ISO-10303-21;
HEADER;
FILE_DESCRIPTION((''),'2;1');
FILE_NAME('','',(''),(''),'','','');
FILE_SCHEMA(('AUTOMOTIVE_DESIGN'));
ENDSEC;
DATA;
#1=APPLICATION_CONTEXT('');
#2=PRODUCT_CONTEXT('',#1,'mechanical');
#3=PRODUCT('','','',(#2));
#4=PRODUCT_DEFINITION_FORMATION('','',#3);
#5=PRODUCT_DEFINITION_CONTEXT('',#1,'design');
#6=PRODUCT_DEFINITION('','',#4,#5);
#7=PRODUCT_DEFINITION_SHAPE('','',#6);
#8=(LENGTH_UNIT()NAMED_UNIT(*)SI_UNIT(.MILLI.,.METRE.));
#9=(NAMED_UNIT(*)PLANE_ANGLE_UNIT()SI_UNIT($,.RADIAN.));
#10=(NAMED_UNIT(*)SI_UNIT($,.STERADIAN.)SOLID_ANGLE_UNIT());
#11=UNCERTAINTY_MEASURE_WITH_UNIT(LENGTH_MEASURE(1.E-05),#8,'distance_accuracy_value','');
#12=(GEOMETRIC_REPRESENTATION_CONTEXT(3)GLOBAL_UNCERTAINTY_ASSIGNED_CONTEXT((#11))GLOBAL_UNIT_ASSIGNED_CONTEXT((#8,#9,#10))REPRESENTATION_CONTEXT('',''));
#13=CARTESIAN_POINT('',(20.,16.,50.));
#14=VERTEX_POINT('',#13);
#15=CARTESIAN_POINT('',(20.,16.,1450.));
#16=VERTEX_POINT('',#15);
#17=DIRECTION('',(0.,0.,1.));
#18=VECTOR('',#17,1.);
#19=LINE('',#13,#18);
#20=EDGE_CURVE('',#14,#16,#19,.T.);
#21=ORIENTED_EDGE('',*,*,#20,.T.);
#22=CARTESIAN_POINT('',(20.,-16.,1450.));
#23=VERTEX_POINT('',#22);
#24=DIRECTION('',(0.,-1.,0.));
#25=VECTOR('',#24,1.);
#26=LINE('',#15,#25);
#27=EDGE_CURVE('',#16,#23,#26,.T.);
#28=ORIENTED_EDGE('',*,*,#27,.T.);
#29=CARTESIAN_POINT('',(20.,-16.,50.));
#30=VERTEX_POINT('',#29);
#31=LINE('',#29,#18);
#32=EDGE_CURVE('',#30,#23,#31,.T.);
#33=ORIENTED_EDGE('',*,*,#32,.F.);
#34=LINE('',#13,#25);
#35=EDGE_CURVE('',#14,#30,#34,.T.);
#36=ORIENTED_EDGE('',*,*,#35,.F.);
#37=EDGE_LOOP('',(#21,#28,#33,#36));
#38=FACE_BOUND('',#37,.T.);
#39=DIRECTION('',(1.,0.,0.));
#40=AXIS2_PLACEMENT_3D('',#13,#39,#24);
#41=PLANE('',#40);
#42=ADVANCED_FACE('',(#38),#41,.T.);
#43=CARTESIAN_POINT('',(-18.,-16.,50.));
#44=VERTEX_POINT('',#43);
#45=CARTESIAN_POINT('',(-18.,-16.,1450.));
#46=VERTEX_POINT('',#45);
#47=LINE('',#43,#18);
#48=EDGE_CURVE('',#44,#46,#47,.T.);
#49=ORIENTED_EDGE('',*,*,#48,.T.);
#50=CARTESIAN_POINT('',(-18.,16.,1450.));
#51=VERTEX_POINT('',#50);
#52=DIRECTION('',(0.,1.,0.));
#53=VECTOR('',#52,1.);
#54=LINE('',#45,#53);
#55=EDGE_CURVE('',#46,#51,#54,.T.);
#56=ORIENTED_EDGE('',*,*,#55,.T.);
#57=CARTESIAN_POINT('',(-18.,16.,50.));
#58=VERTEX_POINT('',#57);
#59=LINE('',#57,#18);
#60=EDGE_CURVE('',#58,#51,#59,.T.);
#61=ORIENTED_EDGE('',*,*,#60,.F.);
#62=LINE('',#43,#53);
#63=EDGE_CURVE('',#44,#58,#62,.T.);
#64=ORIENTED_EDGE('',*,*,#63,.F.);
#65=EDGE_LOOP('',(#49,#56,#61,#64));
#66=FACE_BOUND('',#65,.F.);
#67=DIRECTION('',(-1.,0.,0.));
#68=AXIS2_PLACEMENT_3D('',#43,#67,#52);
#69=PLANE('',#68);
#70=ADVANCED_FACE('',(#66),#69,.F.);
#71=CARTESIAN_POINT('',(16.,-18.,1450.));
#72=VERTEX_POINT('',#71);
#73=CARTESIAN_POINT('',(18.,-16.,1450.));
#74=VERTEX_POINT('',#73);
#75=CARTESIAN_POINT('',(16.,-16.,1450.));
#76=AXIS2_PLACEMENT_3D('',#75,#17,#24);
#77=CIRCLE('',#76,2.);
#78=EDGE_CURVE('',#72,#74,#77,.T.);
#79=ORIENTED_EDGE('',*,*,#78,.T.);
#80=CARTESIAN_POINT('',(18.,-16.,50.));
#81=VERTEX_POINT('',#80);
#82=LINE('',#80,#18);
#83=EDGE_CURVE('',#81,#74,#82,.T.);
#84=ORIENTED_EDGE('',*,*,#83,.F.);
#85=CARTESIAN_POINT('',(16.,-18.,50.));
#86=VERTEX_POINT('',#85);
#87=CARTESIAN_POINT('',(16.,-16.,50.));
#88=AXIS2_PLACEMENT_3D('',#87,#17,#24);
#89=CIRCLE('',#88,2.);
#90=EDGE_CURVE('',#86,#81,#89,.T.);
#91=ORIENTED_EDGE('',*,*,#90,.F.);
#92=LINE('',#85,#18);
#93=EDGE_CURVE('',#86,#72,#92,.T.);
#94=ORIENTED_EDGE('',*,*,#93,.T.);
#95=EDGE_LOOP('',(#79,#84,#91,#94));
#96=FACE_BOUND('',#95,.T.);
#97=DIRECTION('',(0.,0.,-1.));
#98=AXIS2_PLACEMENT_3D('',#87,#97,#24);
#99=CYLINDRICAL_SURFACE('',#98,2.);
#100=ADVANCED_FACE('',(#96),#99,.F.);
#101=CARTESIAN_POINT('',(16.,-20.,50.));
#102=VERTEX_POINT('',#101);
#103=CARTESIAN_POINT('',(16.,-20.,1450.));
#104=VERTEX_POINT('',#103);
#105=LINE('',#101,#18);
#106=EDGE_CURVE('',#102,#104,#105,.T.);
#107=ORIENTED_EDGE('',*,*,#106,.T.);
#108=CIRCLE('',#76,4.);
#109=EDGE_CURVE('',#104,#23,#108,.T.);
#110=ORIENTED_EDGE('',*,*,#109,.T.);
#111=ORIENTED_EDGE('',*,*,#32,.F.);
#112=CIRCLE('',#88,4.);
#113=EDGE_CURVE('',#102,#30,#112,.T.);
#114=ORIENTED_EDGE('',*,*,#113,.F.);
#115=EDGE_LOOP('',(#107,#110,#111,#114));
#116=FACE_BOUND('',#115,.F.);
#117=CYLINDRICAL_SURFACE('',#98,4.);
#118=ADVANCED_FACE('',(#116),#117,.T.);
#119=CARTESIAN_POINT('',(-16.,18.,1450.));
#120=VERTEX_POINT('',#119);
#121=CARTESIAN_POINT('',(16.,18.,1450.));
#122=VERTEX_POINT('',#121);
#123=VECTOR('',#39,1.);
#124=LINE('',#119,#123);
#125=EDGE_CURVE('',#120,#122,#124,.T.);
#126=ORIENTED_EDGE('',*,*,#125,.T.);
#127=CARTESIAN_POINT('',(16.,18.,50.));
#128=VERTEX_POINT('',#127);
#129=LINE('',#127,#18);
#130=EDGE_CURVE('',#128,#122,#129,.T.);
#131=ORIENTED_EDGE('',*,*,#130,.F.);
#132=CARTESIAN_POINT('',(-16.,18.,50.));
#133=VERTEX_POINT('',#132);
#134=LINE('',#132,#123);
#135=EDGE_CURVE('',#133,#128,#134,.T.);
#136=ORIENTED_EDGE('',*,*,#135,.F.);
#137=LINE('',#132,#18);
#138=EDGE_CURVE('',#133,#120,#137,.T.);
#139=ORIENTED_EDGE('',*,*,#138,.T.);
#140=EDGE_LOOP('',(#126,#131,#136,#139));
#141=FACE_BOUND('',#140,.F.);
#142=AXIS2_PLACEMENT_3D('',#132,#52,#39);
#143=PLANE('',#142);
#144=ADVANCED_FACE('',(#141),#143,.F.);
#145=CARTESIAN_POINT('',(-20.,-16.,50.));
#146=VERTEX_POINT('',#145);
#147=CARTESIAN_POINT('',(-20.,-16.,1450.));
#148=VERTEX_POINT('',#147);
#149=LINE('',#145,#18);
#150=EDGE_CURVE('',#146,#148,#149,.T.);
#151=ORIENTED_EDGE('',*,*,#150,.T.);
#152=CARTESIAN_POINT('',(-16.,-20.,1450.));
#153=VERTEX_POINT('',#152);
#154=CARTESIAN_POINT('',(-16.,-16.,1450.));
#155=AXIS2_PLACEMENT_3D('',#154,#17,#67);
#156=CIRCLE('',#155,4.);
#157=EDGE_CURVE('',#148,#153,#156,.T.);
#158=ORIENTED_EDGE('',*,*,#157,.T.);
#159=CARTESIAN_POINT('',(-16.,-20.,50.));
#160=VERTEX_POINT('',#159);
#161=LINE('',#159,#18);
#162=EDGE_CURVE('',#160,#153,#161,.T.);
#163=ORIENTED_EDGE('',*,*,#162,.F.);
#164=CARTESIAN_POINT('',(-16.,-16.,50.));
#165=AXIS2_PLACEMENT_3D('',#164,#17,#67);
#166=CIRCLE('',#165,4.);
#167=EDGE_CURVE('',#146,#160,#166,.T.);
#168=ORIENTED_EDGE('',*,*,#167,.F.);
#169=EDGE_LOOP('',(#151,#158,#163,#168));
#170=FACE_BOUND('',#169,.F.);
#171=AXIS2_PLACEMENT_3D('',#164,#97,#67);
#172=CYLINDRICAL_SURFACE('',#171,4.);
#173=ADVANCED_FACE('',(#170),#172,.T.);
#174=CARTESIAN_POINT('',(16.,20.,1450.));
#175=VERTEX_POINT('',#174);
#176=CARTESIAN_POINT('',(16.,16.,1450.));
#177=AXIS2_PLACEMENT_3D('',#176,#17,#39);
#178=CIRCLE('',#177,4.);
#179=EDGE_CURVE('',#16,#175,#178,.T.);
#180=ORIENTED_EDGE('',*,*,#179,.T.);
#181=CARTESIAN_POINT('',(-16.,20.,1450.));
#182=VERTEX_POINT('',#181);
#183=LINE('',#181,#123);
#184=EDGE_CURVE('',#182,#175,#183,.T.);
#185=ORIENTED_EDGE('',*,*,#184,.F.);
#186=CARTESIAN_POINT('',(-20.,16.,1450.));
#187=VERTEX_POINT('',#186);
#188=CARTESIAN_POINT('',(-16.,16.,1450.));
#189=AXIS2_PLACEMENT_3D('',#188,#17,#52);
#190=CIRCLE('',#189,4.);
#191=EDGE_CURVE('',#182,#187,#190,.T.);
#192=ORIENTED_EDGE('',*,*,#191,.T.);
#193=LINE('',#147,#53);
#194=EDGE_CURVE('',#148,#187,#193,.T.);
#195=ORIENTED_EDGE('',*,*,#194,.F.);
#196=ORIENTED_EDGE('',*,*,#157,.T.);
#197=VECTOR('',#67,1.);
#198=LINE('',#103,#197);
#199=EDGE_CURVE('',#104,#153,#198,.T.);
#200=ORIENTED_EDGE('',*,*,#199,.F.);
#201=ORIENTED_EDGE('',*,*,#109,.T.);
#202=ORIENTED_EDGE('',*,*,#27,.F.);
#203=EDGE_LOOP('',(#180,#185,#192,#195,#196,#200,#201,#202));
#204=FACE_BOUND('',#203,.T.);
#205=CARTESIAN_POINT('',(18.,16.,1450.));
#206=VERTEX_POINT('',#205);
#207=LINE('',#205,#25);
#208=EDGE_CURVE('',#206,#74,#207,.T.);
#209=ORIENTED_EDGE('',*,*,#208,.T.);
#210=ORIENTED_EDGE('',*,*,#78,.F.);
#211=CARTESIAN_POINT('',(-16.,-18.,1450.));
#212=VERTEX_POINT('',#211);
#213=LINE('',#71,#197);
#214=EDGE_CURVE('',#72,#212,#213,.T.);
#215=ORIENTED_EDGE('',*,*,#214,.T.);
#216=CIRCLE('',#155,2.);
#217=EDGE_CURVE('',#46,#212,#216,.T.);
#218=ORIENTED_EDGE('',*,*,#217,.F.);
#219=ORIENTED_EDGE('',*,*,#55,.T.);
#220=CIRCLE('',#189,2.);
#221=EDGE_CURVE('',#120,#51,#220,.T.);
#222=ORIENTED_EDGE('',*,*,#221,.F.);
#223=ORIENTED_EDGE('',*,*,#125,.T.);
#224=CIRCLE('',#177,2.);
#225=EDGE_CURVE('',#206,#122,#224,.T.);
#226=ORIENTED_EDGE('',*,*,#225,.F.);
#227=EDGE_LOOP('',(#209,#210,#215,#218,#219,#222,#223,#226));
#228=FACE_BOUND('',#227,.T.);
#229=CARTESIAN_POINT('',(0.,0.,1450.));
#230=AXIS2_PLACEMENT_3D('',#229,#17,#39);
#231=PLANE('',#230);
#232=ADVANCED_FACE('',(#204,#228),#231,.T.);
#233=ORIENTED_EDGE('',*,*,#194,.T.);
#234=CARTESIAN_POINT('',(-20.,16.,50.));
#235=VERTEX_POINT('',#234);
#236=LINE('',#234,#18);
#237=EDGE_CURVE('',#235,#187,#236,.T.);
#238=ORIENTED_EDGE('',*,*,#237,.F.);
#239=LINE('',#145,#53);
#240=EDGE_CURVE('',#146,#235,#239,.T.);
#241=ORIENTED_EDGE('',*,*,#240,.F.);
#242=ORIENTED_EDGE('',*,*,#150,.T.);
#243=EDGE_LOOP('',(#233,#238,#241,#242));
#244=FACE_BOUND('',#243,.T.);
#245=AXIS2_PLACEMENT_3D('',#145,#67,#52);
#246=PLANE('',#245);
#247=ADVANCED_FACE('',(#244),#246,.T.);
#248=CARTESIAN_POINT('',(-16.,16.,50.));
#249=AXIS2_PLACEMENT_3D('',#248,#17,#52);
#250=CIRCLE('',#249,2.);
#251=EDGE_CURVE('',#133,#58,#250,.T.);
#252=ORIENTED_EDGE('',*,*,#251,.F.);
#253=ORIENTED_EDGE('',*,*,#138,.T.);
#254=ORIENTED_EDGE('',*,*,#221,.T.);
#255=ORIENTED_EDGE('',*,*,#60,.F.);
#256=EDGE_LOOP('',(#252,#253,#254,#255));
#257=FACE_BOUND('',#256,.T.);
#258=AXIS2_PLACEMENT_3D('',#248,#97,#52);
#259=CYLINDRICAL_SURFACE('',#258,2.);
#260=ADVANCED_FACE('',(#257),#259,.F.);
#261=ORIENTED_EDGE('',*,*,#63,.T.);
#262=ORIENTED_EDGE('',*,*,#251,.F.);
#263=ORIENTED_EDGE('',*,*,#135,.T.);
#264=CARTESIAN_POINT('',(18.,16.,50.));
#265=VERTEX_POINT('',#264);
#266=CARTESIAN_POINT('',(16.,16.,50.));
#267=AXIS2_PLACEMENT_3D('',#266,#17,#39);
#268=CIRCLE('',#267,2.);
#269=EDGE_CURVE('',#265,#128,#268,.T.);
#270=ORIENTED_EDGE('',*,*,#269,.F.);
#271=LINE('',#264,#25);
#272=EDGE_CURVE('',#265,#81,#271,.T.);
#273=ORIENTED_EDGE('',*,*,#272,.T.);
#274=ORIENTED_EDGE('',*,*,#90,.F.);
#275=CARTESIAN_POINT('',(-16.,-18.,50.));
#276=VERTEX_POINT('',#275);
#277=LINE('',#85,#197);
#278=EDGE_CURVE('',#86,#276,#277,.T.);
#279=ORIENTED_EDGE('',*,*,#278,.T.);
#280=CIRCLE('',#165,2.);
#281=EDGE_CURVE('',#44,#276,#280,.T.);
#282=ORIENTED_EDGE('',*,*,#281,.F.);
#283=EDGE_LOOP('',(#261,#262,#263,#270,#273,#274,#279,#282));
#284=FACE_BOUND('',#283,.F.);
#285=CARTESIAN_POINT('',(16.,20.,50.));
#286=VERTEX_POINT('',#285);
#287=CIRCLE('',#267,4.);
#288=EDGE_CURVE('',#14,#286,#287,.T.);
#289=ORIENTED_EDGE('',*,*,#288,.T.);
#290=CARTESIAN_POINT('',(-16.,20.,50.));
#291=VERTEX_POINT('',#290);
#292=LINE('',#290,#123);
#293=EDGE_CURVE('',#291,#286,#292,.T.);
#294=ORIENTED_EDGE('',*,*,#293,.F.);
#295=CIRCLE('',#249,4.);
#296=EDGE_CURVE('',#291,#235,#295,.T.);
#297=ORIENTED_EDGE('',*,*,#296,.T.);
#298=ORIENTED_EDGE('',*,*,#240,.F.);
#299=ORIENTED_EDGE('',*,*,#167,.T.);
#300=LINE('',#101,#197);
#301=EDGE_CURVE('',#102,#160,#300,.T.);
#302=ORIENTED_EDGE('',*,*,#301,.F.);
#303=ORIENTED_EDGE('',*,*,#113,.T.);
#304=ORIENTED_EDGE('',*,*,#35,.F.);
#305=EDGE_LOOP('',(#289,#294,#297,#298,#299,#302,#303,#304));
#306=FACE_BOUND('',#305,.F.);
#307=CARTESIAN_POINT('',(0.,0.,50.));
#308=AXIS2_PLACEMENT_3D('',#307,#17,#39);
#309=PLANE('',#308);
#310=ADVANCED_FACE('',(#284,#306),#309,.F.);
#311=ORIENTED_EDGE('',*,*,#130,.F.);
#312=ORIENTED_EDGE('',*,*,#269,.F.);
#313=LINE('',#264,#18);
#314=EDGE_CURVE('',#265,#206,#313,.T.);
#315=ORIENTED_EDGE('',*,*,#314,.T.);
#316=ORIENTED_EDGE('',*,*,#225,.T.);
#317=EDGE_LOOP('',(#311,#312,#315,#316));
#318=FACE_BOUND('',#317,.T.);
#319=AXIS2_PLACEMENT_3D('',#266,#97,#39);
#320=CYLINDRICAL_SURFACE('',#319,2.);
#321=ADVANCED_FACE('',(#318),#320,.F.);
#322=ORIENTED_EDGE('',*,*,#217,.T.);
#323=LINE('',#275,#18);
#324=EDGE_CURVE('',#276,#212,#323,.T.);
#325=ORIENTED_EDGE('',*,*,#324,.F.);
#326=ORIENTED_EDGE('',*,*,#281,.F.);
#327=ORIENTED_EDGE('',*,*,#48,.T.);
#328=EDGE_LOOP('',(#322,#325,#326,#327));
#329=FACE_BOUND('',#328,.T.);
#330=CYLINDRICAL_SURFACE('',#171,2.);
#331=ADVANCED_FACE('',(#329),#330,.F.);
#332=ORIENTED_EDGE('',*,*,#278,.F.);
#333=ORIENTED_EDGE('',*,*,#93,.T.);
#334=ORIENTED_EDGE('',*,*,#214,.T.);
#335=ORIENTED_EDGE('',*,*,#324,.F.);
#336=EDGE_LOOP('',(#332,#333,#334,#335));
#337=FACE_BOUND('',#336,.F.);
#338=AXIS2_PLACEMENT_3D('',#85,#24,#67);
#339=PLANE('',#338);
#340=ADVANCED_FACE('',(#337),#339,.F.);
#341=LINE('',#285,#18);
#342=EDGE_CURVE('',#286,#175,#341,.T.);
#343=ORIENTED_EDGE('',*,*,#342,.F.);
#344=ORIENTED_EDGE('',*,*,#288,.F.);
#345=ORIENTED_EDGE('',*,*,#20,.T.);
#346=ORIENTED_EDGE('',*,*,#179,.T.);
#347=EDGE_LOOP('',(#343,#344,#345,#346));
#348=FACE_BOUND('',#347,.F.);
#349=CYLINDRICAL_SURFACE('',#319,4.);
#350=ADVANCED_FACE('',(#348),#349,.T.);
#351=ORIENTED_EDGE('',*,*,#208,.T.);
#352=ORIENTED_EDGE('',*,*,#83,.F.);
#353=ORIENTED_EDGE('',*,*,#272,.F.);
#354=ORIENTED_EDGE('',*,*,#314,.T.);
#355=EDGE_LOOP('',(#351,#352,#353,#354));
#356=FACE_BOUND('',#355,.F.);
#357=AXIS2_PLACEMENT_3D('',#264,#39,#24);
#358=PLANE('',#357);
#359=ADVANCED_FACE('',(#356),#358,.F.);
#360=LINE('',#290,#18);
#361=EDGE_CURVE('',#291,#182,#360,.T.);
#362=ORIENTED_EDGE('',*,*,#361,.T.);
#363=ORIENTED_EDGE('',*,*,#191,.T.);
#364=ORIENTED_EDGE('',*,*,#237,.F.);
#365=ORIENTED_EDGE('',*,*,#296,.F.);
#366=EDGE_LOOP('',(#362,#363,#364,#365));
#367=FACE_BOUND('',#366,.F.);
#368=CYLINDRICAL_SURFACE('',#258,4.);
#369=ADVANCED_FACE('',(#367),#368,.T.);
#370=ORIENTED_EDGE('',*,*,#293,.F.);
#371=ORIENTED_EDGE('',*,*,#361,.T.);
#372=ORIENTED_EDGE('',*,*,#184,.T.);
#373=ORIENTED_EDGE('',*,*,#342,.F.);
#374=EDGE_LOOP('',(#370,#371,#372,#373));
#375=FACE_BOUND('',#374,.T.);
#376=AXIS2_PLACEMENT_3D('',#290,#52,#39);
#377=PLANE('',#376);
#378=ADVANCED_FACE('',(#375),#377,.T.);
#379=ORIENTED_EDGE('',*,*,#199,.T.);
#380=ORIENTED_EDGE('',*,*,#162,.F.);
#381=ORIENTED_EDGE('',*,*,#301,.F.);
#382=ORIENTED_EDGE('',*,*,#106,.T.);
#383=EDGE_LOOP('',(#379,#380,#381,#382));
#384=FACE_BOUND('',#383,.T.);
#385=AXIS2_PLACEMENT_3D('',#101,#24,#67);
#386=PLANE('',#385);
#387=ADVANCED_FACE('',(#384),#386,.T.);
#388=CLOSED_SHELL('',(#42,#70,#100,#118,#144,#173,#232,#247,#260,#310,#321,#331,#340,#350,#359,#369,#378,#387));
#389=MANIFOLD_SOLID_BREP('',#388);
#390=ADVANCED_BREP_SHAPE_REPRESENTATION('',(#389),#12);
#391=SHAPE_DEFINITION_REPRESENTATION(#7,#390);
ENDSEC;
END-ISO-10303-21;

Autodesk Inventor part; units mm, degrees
ref_plane "YZ Plane" through (0, 0, 0) normal (1, 0, 0) x (0, 1, 0)
ref_plane "Start Plane" through (0, 0, 50) normal (0, 0, 1) x (1, 0, 0)
ref_plane "End Plane" through (0, 0, 1450) normal (0, 0, 1) x (1, 0, 0)
sketch "Sketch" plane through (0, 0, 0) normal (0, 0, 1) x (1, 0, 0)
  line L0 (-20, -16) -> (-20, 16)
  line L1 (-16, 20) -> (16, 20)
  line L2 (20, 16) -> (20, -16)
  line L3 (16, -20) -> (-16, -20)
  arc A0 (-20, -16) -> (-16, -20) centre (-16, -16) ccw
  arc A1 (20, 16) -> (16, 20) centre (16, 16) ccw
  arc A2 (-16, 20) -> (-20, 16) centre (-16, 16) ccw
  arc A3 (16, -20) -> (20, -16) centre (16, -16) ccw
  arc A4 (-16, 18) -> (-18, 16) centre (-16, 16) ccw
  line L4 (-16, 18) -> (16, 18)
  arc A5 (18, 16) -> (16, 18) centre (16, 16) ccw
  line L5 (18, 16) -> (18, -16)
  arc A6 (16, -18) -> (18, -16) centre (16, -16) ccw
  line L6 (16, -18) -> (-16, -18)
  arc A7 (-18, -16) -> (-16, -18) centre (-16, -16) ccw
  line L7 (-18, -16) -> (-18, 16)
  line L8 (0, 29.1598) -> (0, -29.1598) construction
  line L9 (-29.1598, 0) -> (29.1598, 0) construction
  dimension "d7" = 4
  dimension "d9" = 40
  dimension "d11" = 40
  dimension "d12" = 2
  dimension "d15" = 20
  dimension "d16" = 20
extrude "Body" add sketch "Sketch" along normal up to surface (1400 mm away) from surface at 50
sketch "Sketch3" plane through (0, 0, 0) normal (0, 0, 1) x (1, 0, 0)
  line L0 (0, 0) -> (10, 0)
ref_plane "Work Plane3" through (0, 0, 0) normal (0, -1, 0) x (1, 0, 0)
sketch "Sketch4" plane through (0, 0, 0) normal (0, -1, 0) x (1, 0, 0)
  line L0 (-2, 50) -> (12, 50) projected
  line L1 (-2, 1450) -> (12, 1450) projected
  dimension "d18" = 1400
equation "\"d7\" = G_IR"
equation "\"d9\" = G_W"
equation "\"d11\" = G_H"
equation "\"d12\" = G_T"
equation "\"d15\" = 0.5 * d9"
equation "\"d16\" = 0.5 * d11"
equation "\"d3\" = G_L"
equation "\"G_W\" = 40"
equation "\"G_H\" = 40"
equation "\"G_T\" = 2"
equation "\"G_IR\" = 4"
equation "\"G_L\" = d18"
properties part number "ISO 10799-2 - 40x40x2 - 1400" material "Steel, Mild"
